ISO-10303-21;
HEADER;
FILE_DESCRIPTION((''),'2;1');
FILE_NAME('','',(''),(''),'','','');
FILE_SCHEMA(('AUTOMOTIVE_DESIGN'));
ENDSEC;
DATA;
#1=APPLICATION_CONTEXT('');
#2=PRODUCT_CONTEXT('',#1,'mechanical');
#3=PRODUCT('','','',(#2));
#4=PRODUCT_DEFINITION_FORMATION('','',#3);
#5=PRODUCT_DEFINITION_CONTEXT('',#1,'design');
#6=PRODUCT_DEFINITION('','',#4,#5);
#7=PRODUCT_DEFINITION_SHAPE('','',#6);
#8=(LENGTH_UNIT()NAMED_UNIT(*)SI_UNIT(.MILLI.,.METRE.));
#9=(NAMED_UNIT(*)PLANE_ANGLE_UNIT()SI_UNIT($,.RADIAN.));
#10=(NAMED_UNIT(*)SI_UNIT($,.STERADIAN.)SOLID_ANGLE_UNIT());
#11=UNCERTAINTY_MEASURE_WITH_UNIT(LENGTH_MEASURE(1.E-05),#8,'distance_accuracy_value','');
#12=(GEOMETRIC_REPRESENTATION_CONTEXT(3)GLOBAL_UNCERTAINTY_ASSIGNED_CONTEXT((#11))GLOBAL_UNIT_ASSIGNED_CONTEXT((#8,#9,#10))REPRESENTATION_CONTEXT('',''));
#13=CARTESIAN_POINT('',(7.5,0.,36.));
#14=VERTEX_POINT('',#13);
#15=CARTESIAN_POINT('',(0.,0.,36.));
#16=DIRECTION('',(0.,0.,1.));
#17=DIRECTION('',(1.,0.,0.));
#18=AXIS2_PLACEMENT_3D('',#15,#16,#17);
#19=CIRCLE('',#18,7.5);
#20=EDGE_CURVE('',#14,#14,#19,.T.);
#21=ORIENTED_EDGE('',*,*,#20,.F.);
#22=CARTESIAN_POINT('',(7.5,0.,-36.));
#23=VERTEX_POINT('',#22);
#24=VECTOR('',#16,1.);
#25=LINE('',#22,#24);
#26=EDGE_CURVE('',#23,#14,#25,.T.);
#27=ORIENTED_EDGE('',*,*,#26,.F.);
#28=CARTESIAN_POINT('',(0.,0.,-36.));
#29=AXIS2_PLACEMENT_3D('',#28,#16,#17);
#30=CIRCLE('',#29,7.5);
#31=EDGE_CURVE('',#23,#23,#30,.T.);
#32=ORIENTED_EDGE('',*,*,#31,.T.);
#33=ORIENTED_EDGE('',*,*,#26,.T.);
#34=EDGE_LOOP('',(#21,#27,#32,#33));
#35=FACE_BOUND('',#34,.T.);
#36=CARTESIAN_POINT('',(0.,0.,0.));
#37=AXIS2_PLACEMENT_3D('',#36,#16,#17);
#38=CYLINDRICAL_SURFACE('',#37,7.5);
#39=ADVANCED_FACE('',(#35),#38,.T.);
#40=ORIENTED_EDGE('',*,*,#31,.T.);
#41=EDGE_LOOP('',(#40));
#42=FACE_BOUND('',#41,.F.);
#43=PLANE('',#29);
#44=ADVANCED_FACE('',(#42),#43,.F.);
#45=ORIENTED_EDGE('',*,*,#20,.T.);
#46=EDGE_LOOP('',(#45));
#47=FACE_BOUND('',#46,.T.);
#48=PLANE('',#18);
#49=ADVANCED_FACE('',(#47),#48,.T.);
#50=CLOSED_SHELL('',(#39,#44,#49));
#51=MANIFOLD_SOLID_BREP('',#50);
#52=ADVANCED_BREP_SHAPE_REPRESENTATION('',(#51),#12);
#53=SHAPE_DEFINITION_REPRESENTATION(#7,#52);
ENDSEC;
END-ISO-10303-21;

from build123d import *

# Parameters (mm, degrees)
SKETCH1_R           = 7.5
BOSS_EXTRUDE1_DEPTH = 36


with BuildPart() as part:
    # Sketch1 → Boss-Extrude1 (new body, symmetric)
    with BuildSketch(Plane.XY):
        Circle(SKETCH1_R)
    extrude(amount=BOSS_EXTRUDE1_DEPTH, both=True)


solid = part.part
